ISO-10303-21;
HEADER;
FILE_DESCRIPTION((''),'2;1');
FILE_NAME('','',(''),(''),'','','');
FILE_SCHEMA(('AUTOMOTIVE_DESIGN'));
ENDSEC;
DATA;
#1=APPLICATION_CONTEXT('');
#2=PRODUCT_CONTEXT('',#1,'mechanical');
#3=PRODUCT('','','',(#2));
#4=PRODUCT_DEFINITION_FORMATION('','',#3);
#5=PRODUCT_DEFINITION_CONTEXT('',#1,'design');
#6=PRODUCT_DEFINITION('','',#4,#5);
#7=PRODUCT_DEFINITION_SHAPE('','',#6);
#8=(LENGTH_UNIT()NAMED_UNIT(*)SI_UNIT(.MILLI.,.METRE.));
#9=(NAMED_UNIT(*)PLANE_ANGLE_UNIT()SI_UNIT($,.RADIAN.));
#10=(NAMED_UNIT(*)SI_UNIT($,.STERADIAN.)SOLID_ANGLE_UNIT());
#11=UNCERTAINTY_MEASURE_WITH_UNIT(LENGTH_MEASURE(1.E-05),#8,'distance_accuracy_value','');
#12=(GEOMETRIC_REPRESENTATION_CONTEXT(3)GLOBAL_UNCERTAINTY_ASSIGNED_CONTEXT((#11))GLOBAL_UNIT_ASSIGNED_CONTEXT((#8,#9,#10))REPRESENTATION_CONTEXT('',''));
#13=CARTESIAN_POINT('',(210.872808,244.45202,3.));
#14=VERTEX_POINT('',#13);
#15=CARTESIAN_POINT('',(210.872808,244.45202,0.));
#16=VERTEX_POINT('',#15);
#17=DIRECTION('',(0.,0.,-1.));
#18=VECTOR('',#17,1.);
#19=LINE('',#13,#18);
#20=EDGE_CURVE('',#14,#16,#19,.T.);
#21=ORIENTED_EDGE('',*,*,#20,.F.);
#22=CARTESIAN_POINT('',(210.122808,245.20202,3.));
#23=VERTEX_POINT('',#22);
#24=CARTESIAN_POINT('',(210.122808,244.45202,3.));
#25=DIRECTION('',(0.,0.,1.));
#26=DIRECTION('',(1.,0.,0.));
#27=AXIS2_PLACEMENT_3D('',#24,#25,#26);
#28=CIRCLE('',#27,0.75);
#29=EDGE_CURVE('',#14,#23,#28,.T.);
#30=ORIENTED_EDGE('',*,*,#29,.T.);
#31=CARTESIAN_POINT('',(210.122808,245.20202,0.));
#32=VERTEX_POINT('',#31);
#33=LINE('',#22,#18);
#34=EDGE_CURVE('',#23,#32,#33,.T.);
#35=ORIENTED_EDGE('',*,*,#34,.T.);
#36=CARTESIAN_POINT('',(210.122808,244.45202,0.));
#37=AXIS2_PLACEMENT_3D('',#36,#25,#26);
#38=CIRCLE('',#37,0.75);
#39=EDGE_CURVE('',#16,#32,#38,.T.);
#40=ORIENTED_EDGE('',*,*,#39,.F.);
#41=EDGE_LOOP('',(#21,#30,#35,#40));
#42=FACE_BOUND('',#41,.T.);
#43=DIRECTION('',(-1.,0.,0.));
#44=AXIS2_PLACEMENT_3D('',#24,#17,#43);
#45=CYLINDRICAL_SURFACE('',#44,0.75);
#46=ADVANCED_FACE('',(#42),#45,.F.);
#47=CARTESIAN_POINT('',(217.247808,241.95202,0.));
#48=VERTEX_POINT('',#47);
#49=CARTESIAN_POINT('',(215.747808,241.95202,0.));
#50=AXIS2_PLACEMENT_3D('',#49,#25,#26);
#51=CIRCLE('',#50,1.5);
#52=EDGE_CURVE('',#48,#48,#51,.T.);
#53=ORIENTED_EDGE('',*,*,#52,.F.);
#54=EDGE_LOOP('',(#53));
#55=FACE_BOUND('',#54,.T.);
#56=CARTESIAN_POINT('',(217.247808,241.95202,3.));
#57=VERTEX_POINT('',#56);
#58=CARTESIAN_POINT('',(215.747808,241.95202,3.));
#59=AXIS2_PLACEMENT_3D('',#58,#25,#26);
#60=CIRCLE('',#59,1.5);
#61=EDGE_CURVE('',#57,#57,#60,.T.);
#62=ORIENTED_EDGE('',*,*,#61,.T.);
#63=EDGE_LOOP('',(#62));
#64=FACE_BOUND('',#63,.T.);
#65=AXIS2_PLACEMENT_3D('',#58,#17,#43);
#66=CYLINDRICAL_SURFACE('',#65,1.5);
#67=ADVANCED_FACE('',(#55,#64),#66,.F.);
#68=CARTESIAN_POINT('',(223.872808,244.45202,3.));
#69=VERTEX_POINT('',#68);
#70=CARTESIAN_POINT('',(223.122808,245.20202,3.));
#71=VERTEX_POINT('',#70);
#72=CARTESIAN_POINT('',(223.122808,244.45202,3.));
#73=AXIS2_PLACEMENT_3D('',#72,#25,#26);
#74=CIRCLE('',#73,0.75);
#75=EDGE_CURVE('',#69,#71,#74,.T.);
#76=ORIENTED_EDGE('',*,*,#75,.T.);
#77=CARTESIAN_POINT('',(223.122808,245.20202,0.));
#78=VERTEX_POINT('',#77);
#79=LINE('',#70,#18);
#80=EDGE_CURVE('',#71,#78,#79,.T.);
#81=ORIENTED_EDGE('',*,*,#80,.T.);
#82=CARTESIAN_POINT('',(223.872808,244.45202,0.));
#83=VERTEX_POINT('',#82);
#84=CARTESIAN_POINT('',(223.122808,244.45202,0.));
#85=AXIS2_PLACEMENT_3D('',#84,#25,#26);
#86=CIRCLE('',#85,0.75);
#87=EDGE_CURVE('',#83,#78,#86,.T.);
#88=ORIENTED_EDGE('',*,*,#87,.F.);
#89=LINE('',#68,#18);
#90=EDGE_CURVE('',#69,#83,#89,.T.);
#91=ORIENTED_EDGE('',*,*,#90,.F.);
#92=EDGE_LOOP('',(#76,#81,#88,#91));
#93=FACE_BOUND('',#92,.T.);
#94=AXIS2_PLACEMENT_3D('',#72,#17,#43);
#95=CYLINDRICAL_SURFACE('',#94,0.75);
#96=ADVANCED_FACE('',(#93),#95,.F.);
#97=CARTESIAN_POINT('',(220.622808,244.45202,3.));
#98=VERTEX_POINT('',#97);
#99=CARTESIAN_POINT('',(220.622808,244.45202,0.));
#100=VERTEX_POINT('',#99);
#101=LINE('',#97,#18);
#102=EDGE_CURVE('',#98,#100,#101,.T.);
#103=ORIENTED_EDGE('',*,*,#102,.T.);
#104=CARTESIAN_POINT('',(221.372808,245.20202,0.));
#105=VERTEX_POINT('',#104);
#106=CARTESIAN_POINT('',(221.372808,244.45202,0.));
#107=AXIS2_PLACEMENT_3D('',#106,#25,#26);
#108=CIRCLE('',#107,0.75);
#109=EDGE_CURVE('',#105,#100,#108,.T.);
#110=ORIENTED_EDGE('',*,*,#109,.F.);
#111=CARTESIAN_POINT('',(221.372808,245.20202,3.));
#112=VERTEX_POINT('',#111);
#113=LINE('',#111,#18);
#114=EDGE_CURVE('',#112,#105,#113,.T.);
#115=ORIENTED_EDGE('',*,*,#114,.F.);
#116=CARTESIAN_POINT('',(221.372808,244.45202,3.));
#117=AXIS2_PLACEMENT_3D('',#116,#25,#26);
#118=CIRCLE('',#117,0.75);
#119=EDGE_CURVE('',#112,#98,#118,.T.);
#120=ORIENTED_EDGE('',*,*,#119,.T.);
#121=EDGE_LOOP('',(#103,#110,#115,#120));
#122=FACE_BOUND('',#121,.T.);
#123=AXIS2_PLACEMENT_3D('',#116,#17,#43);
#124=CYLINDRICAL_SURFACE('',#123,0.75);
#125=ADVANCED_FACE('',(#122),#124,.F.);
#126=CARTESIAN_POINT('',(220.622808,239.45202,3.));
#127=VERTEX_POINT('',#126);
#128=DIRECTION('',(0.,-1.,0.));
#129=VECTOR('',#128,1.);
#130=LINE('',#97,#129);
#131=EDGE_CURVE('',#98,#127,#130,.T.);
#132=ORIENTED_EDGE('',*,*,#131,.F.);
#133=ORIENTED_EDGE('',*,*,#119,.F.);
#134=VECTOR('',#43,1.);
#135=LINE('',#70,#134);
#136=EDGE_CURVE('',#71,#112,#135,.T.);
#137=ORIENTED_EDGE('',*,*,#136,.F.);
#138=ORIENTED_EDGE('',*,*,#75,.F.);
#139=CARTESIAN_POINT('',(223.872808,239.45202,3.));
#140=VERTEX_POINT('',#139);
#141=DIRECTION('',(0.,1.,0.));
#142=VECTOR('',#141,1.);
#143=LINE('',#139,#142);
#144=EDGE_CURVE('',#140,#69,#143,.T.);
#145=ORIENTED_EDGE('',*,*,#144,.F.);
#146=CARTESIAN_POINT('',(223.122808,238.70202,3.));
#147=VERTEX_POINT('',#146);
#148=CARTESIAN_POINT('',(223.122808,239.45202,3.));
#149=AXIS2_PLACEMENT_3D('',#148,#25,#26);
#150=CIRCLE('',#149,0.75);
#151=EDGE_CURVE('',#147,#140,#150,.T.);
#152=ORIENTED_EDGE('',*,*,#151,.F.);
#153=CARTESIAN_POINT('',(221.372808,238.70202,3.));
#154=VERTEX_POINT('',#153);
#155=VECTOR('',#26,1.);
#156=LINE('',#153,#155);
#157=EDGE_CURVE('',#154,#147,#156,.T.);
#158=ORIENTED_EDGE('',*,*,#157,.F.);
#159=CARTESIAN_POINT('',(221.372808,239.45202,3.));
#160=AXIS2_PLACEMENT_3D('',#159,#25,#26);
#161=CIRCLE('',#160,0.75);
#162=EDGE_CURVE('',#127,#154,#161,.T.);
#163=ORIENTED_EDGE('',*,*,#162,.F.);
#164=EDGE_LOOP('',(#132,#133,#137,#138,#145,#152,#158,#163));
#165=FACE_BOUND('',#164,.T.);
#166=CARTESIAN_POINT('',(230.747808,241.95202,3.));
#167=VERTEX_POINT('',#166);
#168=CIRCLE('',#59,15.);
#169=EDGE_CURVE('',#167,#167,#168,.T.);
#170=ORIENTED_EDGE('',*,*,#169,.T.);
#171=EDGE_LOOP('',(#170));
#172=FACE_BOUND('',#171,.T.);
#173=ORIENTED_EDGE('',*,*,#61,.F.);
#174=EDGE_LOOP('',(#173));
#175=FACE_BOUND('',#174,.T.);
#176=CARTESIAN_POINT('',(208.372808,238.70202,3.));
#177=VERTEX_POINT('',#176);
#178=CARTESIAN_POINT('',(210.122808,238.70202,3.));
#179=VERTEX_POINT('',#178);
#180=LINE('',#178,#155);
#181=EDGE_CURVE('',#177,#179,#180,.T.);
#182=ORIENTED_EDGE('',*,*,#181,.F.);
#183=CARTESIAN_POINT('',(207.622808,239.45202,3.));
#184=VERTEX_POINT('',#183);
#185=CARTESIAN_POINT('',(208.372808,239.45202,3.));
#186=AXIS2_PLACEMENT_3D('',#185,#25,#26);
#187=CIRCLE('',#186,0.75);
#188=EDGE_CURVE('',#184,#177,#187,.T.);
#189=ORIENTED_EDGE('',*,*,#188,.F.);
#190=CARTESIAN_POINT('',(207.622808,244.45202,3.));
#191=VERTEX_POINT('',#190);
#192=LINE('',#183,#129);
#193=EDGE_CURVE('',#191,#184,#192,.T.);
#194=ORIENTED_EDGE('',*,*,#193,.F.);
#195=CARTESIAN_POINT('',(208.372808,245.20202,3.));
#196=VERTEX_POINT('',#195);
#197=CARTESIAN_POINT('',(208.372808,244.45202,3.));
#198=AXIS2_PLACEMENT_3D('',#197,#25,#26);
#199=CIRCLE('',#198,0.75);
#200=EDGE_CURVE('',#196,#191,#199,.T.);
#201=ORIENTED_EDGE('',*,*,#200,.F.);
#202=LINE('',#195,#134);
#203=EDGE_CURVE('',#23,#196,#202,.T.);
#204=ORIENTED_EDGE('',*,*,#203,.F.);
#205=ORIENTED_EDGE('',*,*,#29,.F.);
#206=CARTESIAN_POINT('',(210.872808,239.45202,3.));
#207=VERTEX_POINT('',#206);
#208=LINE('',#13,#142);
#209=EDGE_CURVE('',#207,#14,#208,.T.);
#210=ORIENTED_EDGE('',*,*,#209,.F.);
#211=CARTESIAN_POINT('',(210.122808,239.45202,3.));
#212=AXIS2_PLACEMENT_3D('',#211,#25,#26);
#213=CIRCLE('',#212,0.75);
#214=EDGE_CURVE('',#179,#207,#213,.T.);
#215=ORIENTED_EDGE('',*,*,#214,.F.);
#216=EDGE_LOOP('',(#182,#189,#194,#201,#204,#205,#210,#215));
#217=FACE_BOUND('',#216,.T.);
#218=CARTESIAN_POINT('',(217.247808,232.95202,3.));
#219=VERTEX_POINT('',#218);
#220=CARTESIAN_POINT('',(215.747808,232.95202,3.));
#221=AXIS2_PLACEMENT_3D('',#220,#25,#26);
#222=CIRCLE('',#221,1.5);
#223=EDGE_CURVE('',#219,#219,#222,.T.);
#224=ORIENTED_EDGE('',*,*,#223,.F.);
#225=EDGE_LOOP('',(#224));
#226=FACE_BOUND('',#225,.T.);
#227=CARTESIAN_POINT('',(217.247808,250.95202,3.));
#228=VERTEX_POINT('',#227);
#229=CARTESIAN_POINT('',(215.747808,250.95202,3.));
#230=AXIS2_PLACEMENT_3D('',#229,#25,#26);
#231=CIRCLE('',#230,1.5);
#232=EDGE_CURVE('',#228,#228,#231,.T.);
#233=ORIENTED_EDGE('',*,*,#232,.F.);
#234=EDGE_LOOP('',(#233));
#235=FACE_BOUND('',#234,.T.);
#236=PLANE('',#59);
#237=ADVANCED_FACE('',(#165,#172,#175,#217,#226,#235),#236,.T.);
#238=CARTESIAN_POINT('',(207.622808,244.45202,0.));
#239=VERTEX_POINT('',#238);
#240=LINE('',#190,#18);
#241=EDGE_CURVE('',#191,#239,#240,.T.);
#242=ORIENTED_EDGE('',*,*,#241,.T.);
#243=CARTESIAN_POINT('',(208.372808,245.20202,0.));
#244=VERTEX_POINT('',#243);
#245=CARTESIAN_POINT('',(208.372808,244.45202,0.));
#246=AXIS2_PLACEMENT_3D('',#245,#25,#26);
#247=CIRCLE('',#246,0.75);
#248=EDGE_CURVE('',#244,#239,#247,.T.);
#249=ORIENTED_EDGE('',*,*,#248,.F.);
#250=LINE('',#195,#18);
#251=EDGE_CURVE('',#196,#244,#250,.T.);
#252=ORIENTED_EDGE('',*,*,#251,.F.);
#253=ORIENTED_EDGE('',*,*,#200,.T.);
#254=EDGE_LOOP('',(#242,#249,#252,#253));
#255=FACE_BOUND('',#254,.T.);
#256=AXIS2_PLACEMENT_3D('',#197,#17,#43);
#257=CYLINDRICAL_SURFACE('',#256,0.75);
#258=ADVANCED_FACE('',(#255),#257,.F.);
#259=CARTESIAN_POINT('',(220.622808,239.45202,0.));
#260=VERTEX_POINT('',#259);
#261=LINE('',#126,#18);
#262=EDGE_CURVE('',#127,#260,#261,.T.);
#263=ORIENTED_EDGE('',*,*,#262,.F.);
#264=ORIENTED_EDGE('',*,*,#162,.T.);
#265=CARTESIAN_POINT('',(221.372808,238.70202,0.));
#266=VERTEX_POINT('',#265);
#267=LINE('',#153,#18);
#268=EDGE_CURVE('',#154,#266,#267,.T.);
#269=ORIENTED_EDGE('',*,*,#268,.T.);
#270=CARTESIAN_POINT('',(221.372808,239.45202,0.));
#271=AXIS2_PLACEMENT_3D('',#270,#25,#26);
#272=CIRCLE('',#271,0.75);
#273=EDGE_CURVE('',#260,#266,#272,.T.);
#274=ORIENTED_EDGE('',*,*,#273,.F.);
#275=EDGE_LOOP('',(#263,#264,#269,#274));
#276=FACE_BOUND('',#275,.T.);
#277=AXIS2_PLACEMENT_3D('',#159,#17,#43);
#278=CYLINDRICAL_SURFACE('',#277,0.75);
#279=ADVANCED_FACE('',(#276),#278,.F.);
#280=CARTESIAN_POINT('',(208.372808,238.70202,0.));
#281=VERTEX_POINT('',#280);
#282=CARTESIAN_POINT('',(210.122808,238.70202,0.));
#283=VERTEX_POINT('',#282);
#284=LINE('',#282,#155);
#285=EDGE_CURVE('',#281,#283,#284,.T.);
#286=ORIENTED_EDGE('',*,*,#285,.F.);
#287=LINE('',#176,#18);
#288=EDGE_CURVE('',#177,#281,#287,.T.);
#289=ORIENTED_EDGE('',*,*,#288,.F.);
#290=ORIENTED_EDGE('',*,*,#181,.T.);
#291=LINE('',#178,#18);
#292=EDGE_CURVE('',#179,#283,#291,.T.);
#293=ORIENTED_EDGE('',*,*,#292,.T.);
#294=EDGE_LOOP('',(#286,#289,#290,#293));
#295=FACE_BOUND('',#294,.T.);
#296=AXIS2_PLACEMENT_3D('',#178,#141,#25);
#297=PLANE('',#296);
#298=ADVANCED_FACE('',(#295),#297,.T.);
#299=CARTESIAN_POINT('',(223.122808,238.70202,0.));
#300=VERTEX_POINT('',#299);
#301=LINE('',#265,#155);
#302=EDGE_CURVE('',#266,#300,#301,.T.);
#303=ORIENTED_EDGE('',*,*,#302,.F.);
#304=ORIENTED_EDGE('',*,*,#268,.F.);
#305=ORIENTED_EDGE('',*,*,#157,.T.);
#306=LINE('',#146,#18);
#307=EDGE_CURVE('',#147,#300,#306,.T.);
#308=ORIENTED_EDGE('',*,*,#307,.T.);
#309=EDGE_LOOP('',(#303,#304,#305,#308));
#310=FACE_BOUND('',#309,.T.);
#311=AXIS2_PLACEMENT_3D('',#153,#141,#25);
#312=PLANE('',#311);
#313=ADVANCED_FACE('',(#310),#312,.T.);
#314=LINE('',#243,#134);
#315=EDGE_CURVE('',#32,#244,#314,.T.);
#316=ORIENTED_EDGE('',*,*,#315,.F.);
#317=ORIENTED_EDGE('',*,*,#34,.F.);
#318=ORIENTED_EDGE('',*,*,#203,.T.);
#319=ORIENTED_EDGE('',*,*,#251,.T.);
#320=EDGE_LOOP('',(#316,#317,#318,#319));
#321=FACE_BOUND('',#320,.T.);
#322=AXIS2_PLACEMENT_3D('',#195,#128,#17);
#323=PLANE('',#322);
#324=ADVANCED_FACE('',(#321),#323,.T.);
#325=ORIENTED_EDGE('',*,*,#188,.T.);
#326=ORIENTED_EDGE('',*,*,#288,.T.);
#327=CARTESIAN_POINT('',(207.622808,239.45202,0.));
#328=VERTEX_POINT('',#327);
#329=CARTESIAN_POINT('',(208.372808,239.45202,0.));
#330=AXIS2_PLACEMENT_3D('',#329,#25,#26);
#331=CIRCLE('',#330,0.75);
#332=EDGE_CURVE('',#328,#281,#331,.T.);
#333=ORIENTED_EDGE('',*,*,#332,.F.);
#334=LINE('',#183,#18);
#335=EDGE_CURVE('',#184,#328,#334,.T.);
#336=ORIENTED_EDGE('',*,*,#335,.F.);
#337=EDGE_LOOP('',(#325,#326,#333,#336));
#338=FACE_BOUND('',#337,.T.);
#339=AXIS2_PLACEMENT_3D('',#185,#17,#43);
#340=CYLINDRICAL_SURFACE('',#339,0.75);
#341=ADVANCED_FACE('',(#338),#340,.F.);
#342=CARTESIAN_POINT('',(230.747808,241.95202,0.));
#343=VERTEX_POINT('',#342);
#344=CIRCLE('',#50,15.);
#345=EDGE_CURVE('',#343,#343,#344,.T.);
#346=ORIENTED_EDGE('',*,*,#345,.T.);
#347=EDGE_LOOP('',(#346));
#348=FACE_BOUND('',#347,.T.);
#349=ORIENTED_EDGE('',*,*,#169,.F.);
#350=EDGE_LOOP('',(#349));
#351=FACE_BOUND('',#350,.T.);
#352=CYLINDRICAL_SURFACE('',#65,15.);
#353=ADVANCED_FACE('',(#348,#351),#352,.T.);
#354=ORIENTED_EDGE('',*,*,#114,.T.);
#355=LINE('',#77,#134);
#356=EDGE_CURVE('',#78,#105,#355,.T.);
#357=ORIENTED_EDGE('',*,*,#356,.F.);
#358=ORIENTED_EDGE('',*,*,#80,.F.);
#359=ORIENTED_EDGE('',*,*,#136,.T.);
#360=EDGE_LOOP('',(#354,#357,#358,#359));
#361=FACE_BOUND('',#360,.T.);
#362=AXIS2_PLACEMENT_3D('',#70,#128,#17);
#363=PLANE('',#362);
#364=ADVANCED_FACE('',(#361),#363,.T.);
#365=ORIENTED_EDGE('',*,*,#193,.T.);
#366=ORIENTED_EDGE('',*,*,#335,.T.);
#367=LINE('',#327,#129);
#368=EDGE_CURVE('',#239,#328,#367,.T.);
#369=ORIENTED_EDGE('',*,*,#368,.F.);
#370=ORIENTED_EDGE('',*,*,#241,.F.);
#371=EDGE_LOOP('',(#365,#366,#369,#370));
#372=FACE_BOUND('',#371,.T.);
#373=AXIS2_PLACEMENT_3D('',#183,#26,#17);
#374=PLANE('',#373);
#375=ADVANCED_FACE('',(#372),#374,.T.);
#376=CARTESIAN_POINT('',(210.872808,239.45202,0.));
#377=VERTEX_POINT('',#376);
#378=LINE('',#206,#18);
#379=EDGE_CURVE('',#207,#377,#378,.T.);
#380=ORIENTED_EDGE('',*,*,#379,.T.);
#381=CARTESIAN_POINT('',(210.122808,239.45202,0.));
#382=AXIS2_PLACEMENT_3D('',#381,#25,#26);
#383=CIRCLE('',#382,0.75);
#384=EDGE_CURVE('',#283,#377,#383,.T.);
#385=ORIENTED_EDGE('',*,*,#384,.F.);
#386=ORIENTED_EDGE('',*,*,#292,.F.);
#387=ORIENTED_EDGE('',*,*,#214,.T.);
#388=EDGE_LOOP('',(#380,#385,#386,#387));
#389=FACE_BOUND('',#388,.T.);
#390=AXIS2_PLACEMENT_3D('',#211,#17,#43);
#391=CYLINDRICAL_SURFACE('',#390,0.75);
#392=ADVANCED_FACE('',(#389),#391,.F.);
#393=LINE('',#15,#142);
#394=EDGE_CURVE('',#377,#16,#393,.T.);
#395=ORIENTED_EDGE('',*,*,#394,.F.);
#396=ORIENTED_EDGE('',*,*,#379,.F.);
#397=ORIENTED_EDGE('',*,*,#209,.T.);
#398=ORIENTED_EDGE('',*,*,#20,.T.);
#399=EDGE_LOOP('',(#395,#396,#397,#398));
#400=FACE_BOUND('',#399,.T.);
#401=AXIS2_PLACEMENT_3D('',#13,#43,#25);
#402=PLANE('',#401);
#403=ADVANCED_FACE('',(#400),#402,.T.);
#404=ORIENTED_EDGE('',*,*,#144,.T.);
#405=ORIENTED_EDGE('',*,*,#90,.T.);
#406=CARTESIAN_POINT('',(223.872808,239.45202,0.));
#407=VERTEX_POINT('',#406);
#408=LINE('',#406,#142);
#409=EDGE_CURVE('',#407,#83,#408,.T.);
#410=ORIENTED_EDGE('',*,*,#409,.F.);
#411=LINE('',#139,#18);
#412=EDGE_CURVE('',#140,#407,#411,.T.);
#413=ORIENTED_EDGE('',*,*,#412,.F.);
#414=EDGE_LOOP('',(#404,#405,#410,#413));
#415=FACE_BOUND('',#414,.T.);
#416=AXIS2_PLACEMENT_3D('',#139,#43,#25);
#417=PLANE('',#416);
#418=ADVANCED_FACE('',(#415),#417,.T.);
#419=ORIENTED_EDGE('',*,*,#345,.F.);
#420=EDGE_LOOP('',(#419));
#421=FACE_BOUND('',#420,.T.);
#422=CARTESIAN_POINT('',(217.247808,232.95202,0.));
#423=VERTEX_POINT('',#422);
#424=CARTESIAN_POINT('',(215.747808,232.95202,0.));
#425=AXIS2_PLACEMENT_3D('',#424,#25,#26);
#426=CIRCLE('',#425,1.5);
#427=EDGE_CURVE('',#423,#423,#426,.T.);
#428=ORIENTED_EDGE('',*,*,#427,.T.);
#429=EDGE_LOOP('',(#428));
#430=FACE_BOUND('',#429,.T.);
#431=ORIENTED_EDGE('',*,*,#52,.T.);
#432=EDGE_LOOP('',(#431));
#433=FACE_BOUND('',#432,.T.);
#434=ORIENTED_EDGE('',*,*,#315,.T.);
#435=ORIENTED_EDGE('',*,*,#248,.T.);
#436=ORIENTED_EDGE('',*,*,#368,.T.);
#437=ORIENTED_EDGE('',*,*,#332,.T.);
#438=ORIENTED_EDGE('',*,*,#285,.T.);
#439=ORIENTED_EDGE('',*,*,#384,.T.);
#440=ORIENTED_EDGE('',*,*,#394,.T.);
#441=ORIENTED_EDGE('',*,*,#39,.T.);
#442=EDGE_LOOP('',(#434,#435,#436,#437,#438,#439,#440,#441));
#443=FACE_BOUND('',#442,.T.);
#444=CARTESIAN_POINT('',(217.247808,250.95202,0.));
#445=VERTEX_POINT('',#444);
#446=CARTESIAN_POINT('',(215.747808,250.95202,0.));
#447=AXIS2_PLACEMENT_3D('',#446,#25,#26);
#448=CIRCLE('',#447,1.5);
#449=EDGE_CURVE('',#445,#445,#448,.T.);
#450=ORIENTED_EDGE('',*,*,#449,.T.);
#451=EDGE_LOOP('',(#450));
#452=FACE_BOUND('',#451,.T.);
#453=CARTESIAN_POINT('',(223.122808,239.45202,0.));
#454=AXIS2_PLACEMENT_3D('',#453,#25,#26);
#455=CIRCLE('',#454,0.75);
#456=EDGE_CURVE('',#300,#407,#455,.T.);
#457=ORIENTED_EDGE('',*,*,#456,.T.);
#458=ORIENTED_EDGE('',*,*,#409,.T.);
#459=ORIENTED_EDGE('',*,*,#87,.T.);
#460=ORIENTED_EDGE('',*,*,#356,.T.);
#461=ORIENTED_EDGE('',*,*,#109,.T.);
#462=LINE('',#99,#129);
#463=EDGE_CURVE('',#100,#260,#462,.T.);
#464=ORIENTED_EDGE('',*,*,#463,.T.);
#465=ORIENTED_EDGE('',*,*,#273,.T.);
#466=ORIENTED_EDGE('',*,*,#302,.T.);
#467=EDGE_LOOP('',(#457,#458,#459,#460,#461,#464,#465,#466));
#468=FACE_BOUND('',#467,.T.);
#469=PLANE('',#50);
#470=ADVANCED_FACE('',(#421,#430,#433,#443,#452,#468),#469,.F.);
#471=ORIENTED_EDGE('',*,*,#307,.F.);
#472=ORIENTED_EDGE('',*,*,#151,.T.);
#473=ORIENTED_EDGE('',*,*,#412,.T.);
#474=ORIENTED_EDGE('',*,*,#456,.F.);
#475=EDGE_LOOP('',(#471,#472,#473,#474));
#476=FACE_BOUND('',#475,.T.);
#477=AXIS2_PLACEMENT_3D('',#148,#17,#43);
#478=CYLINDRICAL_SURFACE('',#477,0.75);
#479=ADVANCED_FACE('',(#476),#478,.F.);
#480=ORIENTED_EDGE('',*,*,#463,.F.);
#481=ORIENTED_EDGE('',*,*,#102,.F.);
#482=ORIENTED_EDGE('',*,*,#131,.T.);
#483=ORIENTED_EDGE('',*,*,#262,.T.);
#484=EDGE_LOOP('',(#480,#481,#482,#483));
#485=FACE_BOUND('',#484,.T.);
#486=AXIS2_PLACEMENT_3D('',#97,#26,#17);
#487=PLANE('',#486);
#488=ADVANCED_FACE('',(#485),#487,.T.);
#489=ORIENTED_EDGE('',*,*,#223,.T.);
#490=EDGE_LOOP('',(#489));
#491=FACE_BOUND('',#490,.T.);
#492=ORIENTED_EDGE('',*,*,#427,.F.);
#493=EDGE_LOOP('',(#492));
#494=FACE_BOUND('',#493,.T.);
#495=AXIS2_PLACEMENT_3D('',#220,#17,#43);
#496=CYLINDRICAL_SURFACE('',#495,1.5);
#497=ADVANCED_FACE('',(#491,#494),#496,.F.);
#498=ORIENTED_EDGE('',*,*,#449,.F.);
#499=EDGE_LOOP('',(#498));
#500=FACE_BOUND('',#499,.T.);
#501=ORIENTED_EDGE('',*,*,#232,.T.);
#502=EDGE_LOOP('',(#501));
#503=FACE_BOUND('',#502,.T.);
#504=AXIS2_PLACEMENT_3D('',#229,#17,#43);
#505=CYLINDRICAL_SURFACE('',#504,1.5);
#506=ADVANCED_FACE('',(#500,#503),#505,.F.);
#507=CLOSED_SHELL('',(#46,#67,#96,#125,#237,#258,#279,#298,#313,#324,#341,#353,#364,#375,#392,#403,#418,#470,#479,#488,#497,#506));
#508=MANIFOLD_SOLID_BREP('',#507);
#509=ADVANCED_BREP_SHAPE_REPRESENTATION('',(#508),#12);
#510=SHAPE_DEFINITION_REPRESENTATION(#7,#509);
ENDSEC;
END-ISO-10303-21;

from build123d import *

# Parameters (mm, degrees)
MODEL_R                 = 15
MODEL_R_2               = 1.5
SALIENTE_EXTRUIR1_DEPTH = 3


with BuildPart() as part:
    # Model → Saliente-Extruir1 (new body)
    with BuildSketch(Plane.XY):
        with Locations((215.747807914, 241.952019993)):
            Circle(MODEL_R)
        with Locations((215.747807914, 241.952019993)):
            Circle(MODEL_R_2, mode=Mode.SUBTRACT)
        with Locations((215.747807914, 232.952019993)):
            Circle(MODEL_R_2, mode=Mode.SUBTRACT)
        with Locations((215.747807914, 250.952019993)):
            Circle(MODEL_R_2, mode=Mode.SUBTRACT)
        with BuildLine():
            Line((223.122807913, 245.202019993), (221.372807913, 245.202019993))
            ThreePointArc((221.372807913, 245.202019993), (220.842477828, 244.982350079), (220.622807913, 244.452019993))
            Line((220.622807913, 244.452019993), (220.622807913, 239.452019993))
            ThreePointArc((220.622807913, 239.452019993), (220.842477828, 238.921689907), (221.372807913, 238.702019993))
            Line((221.372807913, 238.702019993), (223.122807913, 238.702019993))
            ThreePointArc((223.122807913, 238.702019993), (223.653137999, 238.921689907), (223.872807913, 239.452019993))
            Line((223.872807913, 239.452019993), (223.872807913, 244.452019993))
            ThreePointArc((223.872807913, 244.452019993), (223.653137999, 244.982350079), (223.122807913, 245.202019993))
        make_face(mode=Mode.SUBTRACT)
        with BuildLine():
            Line((208.372807913, 245.202019993), (210.122807913, 245.202019993))
            ThreePointArc((210.122807913, 245.202019993), (210.653137999, 244.982350079), (210.872807913, 244.452019993))
            Line((210.872807913, 244.452019993), (210.872807913, 239.452019993))
            ThreePointArc((210.872807913, 239.452019993), (210.653137999, 238.921689907), (210.122807913, 238.702019993))
            Line((210.122807913, 238.702019993), (208.372807913, 238.702019993))
            ThreePointArc((208.372807913, 238.702019993), (207.842477828, 238.921689907), (207.622807913, 239.452019993))
            Line((207.622807913, 239.452019993), (207.622807913, 244.452019993))
            ThreePointArc((207.622807913, 244.452019993), (207.842477828, 244.982350079), (208.372807913, 245.202019993))
        make_face(mode=Mode.SUBTRACT)
    extrude(amount=SALIENTE_EXTRUIR1_DEPTH)


solid = part.part
